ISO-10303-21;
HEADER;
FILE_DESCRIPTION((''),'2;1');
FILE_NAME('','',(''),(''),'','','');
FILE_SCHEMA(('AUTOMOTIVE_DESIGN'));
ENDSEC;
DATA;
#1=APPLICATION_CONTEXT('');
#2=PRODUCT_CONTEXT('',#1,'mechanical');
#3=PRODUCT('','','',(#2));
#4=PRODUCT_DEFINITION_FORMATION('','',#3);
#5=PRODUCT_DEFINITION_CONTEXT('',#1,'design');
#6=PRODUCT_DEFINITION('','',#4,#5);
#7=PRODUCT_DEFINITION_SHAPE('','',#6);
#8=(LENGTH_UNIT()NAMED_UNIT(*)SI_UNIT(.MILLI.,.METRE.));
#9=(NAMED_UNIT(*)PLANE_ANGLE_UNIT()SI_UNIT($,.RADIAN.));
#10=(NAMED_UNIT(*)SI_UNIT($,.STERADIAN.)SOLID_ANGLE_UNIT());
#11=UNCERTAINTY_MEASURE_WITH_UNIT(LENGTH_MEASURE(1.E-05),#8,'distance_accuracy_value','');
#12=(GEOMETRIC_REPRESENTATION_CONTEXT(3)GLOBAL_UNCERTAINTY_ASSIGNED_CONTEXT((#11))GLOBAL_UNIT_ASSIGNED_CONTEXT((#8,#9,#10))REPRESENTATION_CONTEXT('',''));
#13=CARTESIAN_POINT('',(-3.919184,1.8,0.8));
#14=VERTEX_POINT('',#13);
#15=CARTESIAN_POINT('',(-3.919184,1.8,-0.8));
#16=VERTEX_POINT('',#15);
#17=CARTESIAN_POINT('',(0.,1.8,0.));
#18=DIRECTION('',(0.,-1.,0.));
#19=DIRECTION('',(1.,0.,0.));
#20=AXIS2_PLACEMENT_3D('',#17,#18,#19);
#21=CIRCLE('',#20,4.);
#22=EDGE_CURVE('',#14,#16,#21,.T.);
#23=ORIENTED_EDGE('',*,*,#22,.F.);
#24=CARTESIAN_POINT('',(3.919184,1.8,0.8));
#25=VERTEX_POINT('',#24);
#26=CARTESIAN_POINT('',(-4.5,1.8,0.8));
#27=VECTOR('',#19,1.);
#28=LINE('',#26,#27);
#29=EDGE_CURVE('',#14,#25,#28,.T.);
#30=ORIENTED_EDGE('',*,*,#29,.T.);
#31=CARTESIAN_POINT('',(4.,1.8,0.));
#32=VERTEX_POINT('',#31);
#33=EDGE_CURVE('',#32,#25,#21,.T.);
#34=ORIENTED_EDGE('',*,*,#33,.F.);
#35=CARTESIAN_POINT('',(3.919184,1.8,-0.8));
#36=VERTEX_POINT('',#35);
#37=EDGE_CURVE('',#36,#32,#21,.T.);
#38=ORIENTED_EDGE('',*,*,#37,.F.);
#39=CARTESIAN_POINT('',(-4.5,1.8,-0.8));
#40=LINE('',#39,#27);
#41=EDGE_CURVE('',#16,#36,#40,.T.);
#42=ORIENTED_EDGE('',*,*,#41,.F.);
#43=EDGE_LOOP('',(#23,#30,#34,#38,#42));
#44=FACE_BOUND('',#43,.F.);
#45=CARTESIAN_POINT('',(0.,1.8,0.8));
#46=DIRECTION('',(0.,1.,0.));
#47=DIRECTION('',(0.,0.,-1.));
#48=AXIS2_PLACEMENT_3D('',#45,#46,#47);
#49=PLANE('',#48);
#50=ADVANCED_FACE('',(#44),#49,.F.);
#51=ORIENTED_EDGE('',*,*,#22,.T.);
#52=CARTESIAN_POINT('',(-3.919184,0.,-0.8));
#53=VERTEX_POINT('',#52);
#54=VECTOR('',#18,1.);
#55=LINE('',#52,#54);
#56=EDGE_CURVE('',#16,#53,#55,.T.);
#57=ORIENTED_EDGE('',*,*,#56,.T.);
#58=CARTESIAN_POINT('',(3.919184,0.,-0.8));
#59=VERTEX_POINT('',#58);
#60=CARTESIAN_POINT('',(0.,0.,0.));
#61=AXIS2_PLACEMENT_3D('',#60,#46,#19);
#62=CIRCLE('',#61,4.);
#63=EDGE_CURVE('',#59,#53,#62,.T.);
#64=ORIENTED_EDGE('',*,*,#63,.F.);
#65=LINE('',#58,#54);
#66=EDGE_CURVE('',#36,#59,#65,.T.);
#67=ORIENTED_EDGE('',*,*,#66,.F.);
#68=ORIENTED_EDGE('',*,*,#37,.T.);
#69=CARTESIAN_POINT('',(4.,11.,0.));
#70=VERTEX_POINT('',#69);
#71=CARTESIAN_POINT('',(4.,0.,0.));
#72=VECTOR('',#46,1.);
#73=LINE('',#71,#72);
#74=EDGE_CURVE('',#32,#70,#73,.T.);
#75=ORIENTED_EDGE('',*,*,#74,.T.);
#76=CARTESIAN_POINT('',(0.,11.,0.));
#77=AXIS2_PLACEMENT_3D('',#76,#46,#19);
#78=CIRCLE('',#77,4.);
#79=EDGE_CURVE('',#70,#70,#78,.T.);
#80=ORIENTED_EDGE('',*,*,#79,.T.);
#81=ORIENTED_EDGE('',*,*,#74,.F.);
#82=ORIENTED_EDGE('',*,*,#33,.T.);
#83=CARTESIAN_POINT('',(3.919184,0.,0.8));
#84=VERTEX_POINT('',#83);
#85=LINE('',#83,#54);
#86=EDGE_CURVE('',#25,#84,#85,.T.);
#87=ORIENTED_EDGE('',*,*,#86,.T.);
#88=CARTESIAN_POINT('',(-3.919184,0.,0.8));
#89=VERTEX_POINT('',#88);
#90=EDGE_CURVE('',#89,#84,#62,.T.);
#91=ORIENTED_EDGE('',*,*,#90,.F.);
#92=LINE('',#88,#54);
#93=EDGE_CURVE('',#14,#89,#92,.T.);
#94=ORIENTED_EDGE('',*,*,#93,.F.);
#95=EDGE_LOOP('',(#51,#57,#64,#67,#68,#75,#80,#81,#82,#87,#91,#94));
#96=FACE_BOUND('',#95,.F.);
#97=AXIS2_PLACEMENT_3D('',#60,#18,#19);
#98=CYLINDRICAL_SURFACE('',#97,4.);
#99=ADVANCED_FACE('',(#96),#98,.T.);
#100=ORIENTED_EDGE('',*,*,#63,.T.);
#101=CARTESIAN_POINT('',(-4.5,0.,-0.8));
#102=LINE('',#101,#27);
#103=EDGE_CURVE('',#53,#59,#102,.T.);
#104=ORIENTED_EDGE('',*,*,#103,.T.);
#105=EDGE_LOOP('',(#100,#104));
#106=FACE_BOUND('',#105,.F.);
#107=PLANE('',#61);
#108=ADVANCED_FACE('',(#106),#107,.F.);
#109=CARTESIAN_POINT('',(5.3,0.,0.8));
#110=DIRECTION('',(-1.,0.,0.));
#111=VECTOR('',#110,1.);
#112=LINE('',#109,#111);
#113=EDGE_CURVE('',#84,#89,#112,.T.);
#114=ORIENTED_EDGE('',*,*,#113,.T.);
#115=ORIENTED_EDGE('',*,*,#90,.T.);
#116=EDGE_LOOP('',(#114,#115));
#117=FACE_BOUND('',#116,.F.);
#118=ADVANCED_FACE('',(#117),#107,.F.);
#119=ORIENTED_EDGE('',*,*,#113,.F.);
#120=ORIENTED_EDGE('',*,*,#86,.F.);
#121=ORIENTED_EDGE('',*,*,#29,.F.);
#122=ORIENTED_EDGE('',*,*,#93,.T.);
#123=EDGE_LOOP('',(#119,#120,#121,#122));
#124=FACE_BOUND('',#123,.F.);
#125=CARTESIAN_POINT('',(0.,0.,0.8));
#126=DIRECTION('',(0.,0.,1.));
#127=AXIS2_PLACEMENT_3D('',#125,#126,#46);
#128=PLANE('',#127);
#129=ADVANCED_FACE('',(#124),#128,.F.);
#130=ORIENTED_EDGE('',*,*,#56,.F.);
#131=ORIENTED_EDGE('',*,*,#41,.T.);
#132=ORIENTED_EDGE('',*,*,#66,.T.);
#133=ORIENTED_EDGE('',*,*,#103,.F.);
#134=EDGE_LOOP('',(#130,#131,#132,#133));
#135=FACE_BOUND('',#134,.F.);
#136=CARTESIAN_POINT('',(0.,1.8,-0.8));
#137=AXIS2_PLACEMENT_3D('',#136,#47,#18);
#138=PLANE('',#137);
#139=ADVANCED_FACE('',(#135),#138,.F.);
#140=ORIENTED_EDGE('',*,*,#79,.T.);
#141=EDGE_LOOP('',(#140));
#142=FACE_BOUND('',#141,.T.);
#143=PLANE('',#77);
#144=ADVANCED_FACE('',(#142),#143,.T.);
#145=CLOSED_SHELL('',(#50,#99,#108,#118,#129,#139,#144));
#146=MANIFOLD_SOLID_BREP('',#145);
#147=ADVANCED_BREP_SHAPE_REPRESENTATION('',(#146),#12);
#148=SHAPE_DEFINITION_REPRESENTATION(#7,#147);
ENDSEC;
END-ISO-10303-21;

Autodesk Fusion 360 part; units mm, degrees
sketch "Sketch1" plane through (0, 0, 0) normal (0, 1, 0) x (1, 0, 0)
  circle A0 centre (0, 0) radius 4
  dimension "d1" = 8
extrude "Extrude1" add sketch "Sketch1" along normal blind 11
sketch "Sketch2" plane through (0, 0, 0) normal (1, 0, 0) x (0, 1, 0)
  line L0 (0, -4) -> (0, 4)
  line L1 (0, 0) -> (0, 0.8)
  line L2 (0, 0.8) -> (0, -0.8)
  line L3 (0, 0) -> (0, 0.8)
  line L4 (0, 0.8) -> (0, -0.8)
  line L5 (0, 0.8) -> (1.8, 0.8)
  line L6 (1.8, 0.8) -> (1.8, -0.8)
  line L7 (1.8, -0.8) -> (0, -0.8)
  dimension "d6" = 0.8
  dimension "d7" = 1.6
  dimension "d8" = 1.8
  dimension "d9" = 1.6
extrude "Extrude2" cut sketch "Sketch2" along normal blind 5.3 and the other way blind 4.5
